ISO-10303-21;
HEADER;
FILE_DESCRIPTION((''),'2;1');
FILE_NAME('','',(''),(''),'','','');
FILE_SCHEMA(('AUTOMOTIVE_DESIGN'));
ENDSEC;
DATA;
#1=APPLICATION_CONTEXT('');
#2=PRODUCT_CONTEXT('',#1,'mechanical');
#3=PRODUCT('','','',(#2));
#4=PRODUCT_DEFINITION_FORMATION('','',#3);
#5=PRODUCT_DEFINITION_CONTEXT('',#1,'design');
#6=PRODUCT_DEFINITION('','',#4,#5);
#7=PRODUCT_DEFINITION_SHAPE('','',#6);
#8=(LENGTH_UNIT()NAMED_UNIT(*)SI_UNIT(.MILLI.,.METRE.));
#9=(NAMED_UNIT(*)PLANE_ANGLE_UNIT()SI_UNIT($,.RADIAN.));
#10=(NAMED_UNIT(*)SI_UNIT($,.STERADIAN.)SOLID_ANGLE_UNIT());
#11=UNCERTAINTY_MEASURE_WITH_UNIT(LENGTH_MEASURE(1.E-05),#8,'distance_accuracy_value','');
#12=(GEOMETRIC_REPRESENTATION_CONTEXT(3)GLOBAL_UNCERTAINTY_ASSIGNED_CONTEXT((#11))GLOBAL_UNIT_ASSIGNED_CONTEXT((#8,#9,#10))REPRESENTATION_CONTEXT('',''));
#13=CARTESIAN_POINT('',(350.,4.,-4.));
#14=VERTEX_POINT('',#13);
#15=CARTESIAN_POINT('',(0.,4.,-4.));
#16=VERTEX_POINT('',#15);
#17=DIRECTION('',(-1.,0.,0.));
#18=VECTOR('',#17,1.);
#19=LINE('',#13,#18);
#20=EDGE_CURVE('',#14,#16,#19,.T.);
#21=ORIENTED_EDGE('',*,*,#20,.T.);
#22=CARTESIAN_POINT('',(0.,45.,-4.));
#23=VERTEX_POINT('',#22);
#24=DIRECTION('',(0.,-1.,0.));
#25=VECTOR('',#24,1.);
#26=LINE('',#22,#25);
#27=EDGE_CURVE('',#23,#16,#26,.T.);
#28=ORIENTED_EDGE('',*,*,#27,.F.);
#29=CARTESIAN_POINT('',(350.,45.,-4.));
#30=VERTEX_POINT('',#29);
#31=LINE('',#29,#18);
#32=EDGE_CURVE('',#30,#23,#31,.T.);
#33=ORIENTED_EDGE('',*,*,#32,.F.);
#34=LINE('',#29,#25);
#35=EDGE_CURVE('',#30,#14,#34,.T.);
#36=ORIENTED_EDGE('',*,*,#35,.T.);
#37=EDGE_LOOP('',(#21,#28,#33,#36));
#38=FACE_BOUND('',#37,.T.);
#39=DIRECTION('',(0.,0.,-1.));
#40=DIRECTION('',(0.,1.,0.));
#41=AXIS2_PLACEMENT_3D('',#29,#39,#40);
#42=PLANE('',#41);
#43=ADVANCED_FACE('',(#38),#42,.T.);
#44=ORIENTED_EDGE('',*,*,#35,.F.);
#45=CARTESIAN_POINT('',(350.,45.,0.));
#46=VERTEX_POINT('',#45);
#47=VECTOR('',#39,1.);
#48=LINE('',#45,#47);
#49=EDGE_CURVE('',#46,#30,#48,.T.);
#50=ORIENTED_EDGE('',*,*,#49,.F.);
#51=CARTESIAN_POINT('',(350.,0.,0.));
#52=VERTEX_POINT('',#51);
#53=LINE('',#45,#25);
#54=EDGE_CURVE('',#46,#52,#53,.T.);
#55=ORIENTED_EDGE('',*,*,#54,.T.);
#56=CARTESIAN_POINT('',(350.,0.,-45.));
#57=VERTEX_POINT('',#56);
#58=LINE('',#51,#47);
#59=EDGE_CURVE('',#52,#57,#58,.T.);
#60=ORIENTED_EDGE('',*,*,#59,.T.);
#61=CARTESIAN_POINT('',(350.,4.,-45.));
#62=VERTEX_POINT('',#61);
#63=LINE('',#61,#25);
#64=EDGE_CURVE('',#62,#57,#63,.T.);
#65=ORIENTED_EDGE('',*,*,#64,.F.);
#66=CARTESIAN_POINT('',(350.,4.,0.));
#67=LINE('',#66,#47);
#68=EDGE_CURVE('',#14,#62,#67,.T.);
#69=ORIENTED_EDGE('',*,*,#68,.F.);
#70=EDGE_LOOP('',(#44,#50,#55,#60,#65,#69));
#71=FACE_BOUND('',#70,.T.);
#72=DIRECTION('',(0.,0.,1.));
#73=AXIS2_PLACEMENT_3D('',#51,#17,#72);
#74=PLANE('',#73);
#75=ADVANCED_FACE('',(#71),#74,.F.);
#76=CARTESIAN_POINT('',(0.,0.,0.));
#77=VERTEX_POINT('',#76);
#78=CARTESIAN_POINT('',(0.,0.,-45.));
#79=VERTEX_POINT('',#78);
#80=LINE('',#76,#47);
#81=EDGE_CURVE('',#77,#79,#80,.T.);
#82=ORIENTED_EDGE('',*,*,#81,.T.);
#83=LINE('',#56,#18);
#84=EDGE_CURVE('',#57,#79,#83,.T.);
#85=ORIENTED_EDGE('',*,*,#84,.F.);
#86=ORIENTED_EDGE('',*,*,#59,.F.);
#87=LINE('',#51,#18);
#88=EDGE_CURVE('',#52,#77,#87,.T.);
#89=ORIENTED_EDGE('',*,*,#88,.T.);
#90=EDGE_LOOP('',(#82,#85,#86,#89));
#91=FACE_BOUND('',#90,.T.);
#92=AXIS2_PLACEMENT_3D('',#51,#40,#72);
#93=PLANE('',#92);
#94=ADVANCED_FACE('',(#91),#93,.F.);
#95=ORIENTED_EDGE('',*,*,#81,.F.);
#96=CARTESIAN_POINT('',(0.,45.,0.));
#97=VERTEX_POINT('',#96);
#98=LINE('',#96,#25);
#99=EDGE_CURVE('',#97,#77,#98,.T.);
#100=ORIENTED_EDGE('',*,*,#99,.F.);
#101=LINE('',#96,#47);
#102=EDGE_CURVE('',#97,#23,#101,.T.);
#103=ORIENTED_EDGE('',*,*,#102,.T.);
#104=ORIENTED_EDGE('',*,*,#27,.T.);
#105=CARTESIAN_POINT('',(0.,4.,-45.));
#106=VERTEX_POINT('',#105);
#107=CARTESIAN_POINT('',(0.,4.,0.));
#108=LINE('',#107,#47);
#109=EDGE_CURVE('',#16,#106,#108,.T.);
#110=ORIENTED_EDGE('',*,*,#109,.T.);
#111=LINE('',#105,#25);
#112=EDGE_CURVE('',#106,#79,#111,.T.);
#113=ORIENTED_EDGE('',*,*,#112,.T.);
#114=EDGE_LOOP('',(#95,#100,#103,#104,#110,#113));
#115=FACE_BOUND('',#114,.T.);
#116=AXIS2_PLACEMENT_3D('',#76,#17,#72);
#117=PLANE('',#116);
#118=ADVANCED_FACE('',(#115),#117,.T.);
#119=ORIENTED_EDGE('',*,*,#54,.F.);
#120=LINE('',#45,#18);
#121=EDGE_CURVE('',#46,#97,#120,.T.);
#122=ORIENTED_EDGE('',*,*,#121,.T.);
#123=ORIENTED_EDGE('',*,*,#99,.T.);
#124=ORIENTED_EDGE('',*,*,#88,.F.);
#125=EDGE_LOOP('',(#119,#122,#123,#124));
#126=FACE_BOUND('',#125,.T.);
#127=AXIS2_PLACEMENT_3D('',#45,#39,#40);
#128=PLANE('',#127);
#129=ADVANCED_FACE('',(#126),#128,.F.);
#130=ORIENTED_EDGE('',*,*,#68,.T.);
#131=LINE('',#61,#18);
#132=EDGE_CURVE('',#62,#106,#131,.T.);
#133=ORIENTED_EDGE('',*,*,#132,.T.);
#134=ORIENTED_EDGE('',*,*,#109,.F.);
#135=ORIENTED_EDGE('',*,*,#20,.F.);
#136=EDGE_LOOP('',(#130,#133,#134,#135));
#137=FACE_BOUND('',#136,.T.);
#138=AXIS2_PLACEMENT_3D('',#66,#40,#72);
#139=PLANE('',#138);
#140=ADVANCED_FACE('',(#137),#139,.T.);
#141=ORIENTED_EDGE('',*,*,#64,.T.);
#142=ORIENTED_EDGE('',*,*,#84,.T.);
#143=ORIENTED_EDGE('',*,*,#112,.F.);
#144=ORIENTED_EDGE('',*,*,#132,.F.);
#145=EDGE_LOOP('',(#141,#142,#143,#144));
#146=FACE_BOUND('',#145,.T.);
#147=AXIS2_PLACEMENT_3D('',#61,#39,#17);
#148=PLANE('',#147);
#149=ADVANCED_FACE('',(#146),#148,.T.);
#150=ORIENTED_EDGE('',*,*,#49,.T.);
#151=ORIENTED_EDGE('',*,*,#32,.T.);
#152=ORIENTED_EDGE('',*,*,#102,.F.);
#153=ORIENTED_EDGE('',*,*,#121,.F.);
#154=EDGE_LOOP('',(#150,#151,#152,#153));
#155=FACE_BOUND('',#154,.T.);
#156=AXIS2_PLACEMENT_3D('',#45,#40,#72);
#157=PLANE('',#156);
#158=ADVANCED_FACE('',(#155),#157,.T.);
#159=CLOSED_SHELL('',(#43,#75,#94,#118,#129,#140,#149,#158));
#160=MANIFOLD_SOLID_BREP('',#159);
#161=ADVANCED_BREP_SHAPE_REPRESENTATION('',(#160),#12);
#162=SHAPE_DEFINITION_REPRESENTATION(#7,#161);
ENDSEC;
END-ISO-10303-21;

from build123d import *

# Parameters (mm, degrees)
EXTRUDE_1_DEPTH = 350


with BuildPart() as part:
    # Эскиз1 → Вытянуть-Тонкостенный1 (new body)
    with BuildSketch(Plane(origin=(0, 0, 0), x_dir=(0, 0, -1), z_dir=(1, 0, 0))):
        Polygon((0, 45), (0, 0), (45, 0), (45, 4), (4, 4), (4, 45), align=None)
    extrude(amount=EXTRUDE_1_DEPTH)


solid = part.part
